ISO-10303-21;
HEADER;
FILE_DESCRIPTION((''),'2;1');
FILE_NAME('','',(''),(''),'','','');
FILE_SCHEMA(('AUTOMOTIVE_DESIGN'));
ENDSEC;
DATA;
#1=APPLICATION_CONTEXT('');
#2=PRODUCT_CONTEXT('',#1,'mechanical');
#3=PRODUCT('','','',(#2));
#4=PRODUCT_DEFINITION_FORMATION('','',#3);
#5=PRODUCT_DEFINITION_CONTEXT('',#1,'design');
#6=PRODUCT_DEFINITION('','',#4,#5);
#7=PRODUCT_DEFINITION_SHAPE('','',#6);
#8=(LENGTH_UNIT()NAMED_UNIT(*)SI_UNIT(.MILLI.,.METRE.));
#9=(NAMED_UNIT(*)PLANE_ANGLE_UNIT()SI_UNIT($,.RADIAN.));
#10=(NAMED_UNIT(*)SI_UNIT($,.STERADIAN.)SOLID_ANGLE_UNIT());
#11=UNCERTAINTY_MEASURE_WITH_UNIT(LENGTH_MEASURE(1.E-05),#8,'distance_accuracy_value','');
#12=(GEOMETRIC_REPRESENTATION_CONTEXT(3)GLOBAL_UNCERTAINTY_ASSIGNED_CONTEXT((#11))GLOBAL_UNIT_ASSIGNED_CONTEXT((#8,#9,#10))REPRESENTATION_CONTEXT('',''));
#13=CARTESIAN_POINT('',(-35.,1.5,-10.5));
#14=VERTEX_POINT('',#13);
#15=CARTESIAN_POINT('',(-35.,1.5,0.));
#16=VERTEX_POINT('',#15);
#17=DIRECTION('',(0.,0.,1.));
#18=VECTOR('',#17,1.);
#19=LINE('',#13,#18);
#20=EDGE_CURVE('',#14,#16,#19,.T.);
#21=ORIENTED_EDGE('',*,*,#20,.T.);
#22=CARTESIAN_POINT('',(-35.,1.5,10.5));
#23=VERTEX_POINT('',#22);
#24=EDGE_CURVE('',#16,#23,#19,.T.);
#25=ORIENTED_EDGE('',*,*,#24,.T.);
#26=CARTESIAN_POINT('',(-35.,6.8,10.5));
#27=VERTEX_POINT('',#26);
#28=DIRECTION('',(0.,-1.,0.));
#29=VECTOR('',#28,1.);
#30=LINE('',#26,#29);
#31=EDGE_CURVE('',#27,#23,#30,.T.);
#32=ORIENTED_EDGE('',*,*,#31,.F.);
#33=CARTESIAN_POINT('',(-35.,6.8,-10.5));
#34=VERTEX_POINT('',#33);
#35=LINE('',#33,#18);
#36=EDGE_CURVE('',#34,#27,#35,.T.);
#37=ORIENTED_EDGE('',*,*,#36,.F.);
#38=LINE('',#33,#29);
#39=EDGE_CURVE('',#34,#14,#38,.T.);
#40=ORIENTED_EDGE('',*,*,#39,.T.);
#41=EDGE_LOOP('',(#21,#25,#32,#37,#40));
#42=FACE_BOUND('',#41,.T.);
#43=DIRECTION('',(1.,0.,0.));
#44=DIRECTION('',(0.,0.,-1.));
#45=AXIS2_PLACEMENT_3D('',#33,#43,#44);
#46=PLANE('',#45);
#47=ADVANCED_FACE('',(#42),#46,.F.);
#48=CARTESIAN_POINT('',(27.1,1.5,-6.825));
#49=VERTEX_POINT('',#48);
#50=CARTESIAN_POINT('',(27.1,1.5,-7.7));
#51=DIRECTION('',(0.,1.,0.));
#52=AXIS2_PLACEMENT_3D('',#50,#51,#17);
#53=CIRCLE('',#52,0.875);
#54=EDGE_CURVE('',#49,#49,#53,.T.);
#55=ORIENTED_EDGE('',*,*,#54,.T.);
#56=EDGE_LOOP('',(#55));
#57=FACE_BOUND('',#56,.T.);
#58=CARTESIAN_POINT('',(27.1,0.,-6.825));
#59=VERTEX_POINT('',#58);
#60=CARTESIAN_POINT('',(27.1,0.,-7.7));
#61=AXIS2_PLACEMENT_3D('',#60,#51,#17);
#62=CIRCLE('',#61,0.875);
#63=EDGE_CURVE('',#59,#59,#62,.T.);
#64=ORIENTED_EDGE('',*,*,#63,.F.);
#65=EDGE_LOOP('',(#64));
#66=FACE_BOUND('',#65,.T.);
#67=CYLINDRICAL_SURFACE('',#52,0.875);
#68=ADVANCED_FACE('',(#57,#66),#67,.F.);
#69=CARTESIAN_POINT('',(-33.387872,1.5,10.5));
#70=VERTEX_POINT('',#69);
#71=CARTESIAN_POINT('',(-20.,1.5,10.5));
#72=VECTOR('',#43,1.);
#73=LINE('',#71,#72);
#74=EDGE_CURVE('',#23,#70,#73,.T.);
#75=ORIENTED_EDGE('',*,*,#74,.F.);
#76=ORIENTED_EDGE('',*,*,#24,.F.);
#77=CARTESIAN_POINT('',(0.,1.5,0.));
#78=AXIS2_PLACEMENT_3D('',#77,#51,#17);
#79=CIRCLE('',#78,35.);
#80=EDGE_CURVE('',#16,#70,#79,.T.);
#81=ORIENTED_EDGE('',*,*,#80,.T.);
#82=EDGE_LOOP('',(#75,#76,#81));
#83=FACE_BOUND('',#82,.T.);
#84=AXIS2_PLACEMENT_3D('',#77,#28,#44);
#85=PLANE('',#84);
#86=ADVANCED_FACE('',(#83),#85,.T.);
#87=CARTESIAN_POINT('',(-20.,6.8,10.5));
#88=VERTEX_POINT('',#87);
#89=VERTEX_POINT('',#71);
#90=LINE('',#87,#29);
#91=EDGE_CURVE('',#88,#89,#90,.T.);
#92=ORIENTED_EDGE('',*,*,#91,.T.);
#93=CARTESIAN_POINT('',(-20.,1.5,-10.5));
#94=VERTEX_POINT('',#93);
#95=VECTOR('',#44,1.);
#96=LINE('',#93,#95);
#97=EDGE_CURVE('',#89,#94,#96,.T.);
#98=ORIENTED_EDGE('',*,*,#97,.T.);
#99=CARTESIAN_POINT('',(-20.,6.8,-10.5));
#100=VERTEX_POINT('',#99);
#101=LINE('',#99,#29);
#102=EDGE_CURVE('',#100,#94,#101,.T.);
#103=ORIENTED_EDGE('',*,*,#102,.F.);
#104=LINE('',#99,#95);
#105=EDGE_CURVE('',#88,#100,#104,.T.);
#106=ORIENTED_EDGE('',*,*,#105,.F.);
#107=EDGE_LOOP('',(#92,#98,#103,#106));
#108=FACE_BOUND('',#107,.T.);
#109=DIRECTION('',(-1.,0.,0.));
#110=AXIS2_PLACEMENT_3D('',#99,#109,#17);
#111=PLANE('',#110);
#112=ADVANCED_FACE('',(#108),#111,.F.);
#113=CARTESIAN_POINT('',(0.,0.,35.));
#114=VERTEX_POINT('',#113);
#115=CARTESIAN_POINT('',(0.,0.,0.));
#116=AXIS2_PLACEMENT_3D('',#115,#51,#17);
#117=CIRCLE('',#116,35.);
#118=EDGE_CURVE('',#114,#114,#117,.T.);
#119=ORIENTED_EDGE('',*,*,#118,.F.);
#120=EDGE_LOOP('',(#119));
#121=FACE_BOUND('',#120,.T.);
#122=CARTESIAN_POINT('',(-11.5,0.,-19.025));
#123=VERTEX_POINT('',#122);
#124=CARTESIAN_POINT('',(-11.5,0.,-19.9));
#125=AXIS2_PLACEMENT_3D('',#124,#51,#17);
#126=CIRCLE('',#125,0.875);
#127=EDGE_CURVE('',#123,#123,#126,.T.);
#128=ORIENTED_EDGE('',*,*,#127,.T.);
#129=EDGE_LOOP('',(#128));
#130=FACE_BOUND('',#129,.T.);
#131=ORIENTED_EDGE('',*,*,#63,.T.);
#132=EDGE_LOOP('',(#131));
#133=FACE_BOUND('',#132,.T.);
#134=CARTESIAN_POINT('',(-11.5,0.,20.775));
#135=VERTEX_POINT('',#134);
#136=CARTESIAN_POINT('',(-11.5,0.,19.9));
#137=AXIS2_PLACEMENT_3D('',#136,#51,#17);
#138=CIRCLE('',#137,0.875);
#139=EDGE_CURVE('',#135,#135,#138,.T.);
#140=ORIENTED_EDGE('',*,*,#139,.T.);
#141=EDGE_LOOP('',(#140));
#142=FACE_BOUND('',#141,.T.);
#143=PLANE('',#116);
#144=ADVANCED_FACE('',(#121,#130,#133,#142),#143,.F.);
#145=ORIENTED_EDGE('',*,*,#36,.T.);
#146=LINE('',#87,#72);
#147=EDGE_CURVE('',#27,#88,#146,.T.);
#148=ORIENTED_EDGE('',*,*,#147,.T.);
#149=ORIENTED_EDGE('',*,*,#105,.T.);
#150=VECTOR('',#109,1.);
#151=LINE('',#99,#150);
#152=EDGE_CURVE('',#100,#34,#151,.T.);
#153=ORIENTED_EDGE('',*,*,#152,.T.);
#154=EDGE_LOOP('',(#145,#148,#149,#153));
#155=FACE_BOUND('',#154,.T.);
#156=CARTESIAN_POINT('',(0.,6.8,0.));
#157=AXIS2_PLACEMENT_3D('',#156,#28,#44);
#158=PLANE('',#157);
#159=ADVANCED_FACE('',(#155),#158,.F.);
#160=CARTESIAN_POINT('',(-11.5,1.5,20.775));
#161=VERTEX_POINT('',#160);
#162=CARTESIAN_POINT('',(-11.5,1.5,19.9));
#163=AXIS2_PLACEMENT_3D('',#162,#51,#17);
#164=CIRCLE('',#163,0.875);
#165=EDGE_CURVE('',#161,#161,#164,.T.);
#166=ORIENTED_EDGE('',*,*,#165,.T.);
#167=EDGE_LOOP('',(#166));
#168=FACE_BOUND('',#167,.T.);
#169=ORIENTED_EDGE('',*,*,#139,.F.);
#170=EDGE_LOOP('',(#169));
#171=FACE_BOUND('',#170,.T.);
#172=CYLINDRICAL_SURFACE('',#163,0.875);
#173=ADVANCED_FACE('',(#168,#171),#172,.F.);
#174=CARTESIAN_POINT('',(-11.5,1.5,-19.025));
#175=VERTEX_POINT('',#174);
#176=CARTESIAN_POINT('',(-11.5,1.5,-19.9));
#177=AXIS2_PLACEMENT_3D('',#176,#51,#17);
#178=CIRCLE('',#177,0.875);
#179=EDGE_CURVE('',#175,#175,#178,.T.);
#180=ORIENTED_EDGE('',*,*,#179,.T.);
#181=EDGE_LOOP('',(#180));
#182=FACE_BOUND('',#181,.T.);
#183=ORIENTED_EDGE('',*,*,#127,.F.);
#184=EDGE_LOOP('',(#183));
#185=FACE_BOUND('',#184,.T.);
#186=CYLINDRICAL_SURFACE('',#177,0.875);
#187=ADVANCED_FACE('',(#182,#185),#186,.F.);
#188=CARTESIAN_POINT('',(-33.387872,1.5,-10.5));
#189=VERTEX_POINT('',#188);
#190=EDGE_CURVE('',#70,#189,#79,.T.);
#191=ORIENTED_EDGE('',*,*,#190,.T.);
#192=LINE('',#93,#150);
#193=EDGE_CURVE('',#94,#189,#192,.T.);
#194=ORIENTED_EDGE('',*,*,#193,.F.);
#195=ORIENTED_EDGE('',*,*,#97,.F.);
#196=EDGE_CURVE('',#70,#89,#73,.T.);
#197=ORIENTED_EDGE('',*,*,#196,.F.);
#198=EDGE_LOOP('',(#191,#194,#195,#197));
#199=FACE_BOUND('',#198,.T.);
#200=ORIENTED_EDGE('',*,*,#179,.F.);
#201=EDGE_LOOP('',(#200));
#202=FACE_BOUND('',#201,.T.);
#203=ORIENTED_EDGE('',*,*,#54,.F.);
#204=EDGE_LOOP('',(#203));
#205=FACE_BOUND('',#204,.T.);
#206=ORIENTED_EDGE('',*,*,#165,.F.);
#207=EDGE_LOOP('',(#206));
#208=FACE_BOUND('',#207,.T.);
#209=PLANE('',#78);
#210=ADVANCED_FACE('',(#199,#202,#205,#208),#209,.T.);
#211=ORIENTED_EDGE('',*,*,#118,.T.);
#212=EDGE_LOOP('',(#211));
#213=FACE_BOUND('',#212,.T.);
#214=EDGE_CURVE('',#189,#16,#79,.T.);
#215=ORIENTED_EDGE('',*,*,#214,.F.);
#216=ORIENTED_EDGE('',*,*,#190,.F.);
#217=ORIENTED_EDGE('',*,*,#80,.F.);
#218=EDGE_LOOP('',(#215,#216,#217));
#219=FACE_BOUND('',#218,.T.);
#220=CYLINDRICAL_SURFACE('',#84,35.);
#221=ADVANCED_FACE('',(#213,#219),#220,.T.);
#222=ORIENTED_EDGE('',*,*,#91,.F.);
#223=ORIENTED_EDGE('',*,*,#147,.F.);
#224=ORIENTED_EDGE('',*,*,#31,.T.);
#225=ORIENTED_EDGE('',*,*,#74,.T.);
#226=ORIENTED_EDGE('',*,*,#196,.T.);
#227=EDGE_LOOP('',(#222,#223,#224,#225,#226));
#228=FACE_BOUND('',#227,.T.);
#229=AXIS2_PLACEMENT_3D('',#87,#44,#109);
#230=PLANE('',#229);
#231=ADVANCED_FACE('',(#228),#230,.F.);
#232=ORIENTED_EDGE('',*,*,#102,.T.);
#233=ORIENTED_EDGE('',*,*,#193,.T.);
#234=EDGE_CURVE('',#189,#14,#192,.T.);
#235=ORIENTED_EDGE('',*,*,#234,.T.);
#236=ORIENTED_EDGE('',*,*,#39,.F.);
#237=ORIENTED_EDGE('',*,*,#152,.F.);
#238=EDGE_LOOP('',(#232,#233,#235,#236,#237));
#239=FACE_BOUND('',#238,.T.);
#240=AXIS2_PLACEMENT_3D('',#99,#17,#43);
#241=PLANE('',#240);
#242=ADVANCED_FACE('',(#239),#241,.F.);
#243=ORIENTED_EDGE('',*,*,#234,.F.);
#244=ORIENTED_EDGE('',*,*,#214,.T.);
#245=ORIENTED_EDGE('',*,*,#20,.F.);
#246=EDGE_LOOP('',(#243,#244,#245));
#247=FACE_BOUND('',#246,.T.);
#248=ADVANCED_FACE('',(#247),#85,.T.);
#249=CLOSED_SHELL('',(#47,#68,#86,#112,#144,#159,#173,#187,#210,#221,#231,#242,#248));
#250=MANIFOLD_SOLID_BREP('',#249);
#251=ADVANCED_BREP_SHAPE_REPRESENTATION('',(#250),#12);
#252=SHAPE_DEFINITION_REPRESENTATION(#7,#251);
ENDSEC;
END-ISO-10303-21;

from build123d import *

# Parameters (mm, degrees)
SKETCH1_R                      = 35
BOSS_EXTRUDE1_DEPTH            = 1.5
SKETCH4_W                      = 15
SKETCH4_H                      = 21
BOSS_EXTRUDE2_DEPTH            = 5.3
TAP_DRILL_FOR_M2_2X0_45_TAP1_D = 1.75


with BuildPart() as part:
    # Sketch1 → Boss-Extrude1 (new body)
    with BuildSketch(Plane(origin=(0, 0, 0), x_dir=(1, 0, 0), z_dir=(0, 1, 0))):
        with Locations(Location((0, 0, 0), (0, 0, 270))):
            Circle(SKETCH1_R)
    extrude(amount=BOSS_EXTRUDE1_DEPTH)

    # Sketch4 → Boss-Extrude2 (add)
    with BuildSketch(Plane(origin=(0, 1.5, 0), x_dir=(1, 0, 0), z_dir=(0, 1, 0))):
        with Locations((-27.5, 0)):
            Rectangle(SKETCH4_W, SKETCH4_H)
    extrude(amount=BOSS_EXTRUDE2_DEPTH)

    # Tap Drill for M2.2x0.45 Tap1 (through all)
    with Locations(Plane(origin=(-11.5, 1.5, -19.9), x_dir=(0, 0, 1), z_dir=(0, 1, 0))):
        with Locations((0, 0), (12.2, 38.6), (39.8, 0)):
            Hole(TAP_DRILL_FOR_M2_2X0_45_TAP1_D / 2)


solid = part.part
